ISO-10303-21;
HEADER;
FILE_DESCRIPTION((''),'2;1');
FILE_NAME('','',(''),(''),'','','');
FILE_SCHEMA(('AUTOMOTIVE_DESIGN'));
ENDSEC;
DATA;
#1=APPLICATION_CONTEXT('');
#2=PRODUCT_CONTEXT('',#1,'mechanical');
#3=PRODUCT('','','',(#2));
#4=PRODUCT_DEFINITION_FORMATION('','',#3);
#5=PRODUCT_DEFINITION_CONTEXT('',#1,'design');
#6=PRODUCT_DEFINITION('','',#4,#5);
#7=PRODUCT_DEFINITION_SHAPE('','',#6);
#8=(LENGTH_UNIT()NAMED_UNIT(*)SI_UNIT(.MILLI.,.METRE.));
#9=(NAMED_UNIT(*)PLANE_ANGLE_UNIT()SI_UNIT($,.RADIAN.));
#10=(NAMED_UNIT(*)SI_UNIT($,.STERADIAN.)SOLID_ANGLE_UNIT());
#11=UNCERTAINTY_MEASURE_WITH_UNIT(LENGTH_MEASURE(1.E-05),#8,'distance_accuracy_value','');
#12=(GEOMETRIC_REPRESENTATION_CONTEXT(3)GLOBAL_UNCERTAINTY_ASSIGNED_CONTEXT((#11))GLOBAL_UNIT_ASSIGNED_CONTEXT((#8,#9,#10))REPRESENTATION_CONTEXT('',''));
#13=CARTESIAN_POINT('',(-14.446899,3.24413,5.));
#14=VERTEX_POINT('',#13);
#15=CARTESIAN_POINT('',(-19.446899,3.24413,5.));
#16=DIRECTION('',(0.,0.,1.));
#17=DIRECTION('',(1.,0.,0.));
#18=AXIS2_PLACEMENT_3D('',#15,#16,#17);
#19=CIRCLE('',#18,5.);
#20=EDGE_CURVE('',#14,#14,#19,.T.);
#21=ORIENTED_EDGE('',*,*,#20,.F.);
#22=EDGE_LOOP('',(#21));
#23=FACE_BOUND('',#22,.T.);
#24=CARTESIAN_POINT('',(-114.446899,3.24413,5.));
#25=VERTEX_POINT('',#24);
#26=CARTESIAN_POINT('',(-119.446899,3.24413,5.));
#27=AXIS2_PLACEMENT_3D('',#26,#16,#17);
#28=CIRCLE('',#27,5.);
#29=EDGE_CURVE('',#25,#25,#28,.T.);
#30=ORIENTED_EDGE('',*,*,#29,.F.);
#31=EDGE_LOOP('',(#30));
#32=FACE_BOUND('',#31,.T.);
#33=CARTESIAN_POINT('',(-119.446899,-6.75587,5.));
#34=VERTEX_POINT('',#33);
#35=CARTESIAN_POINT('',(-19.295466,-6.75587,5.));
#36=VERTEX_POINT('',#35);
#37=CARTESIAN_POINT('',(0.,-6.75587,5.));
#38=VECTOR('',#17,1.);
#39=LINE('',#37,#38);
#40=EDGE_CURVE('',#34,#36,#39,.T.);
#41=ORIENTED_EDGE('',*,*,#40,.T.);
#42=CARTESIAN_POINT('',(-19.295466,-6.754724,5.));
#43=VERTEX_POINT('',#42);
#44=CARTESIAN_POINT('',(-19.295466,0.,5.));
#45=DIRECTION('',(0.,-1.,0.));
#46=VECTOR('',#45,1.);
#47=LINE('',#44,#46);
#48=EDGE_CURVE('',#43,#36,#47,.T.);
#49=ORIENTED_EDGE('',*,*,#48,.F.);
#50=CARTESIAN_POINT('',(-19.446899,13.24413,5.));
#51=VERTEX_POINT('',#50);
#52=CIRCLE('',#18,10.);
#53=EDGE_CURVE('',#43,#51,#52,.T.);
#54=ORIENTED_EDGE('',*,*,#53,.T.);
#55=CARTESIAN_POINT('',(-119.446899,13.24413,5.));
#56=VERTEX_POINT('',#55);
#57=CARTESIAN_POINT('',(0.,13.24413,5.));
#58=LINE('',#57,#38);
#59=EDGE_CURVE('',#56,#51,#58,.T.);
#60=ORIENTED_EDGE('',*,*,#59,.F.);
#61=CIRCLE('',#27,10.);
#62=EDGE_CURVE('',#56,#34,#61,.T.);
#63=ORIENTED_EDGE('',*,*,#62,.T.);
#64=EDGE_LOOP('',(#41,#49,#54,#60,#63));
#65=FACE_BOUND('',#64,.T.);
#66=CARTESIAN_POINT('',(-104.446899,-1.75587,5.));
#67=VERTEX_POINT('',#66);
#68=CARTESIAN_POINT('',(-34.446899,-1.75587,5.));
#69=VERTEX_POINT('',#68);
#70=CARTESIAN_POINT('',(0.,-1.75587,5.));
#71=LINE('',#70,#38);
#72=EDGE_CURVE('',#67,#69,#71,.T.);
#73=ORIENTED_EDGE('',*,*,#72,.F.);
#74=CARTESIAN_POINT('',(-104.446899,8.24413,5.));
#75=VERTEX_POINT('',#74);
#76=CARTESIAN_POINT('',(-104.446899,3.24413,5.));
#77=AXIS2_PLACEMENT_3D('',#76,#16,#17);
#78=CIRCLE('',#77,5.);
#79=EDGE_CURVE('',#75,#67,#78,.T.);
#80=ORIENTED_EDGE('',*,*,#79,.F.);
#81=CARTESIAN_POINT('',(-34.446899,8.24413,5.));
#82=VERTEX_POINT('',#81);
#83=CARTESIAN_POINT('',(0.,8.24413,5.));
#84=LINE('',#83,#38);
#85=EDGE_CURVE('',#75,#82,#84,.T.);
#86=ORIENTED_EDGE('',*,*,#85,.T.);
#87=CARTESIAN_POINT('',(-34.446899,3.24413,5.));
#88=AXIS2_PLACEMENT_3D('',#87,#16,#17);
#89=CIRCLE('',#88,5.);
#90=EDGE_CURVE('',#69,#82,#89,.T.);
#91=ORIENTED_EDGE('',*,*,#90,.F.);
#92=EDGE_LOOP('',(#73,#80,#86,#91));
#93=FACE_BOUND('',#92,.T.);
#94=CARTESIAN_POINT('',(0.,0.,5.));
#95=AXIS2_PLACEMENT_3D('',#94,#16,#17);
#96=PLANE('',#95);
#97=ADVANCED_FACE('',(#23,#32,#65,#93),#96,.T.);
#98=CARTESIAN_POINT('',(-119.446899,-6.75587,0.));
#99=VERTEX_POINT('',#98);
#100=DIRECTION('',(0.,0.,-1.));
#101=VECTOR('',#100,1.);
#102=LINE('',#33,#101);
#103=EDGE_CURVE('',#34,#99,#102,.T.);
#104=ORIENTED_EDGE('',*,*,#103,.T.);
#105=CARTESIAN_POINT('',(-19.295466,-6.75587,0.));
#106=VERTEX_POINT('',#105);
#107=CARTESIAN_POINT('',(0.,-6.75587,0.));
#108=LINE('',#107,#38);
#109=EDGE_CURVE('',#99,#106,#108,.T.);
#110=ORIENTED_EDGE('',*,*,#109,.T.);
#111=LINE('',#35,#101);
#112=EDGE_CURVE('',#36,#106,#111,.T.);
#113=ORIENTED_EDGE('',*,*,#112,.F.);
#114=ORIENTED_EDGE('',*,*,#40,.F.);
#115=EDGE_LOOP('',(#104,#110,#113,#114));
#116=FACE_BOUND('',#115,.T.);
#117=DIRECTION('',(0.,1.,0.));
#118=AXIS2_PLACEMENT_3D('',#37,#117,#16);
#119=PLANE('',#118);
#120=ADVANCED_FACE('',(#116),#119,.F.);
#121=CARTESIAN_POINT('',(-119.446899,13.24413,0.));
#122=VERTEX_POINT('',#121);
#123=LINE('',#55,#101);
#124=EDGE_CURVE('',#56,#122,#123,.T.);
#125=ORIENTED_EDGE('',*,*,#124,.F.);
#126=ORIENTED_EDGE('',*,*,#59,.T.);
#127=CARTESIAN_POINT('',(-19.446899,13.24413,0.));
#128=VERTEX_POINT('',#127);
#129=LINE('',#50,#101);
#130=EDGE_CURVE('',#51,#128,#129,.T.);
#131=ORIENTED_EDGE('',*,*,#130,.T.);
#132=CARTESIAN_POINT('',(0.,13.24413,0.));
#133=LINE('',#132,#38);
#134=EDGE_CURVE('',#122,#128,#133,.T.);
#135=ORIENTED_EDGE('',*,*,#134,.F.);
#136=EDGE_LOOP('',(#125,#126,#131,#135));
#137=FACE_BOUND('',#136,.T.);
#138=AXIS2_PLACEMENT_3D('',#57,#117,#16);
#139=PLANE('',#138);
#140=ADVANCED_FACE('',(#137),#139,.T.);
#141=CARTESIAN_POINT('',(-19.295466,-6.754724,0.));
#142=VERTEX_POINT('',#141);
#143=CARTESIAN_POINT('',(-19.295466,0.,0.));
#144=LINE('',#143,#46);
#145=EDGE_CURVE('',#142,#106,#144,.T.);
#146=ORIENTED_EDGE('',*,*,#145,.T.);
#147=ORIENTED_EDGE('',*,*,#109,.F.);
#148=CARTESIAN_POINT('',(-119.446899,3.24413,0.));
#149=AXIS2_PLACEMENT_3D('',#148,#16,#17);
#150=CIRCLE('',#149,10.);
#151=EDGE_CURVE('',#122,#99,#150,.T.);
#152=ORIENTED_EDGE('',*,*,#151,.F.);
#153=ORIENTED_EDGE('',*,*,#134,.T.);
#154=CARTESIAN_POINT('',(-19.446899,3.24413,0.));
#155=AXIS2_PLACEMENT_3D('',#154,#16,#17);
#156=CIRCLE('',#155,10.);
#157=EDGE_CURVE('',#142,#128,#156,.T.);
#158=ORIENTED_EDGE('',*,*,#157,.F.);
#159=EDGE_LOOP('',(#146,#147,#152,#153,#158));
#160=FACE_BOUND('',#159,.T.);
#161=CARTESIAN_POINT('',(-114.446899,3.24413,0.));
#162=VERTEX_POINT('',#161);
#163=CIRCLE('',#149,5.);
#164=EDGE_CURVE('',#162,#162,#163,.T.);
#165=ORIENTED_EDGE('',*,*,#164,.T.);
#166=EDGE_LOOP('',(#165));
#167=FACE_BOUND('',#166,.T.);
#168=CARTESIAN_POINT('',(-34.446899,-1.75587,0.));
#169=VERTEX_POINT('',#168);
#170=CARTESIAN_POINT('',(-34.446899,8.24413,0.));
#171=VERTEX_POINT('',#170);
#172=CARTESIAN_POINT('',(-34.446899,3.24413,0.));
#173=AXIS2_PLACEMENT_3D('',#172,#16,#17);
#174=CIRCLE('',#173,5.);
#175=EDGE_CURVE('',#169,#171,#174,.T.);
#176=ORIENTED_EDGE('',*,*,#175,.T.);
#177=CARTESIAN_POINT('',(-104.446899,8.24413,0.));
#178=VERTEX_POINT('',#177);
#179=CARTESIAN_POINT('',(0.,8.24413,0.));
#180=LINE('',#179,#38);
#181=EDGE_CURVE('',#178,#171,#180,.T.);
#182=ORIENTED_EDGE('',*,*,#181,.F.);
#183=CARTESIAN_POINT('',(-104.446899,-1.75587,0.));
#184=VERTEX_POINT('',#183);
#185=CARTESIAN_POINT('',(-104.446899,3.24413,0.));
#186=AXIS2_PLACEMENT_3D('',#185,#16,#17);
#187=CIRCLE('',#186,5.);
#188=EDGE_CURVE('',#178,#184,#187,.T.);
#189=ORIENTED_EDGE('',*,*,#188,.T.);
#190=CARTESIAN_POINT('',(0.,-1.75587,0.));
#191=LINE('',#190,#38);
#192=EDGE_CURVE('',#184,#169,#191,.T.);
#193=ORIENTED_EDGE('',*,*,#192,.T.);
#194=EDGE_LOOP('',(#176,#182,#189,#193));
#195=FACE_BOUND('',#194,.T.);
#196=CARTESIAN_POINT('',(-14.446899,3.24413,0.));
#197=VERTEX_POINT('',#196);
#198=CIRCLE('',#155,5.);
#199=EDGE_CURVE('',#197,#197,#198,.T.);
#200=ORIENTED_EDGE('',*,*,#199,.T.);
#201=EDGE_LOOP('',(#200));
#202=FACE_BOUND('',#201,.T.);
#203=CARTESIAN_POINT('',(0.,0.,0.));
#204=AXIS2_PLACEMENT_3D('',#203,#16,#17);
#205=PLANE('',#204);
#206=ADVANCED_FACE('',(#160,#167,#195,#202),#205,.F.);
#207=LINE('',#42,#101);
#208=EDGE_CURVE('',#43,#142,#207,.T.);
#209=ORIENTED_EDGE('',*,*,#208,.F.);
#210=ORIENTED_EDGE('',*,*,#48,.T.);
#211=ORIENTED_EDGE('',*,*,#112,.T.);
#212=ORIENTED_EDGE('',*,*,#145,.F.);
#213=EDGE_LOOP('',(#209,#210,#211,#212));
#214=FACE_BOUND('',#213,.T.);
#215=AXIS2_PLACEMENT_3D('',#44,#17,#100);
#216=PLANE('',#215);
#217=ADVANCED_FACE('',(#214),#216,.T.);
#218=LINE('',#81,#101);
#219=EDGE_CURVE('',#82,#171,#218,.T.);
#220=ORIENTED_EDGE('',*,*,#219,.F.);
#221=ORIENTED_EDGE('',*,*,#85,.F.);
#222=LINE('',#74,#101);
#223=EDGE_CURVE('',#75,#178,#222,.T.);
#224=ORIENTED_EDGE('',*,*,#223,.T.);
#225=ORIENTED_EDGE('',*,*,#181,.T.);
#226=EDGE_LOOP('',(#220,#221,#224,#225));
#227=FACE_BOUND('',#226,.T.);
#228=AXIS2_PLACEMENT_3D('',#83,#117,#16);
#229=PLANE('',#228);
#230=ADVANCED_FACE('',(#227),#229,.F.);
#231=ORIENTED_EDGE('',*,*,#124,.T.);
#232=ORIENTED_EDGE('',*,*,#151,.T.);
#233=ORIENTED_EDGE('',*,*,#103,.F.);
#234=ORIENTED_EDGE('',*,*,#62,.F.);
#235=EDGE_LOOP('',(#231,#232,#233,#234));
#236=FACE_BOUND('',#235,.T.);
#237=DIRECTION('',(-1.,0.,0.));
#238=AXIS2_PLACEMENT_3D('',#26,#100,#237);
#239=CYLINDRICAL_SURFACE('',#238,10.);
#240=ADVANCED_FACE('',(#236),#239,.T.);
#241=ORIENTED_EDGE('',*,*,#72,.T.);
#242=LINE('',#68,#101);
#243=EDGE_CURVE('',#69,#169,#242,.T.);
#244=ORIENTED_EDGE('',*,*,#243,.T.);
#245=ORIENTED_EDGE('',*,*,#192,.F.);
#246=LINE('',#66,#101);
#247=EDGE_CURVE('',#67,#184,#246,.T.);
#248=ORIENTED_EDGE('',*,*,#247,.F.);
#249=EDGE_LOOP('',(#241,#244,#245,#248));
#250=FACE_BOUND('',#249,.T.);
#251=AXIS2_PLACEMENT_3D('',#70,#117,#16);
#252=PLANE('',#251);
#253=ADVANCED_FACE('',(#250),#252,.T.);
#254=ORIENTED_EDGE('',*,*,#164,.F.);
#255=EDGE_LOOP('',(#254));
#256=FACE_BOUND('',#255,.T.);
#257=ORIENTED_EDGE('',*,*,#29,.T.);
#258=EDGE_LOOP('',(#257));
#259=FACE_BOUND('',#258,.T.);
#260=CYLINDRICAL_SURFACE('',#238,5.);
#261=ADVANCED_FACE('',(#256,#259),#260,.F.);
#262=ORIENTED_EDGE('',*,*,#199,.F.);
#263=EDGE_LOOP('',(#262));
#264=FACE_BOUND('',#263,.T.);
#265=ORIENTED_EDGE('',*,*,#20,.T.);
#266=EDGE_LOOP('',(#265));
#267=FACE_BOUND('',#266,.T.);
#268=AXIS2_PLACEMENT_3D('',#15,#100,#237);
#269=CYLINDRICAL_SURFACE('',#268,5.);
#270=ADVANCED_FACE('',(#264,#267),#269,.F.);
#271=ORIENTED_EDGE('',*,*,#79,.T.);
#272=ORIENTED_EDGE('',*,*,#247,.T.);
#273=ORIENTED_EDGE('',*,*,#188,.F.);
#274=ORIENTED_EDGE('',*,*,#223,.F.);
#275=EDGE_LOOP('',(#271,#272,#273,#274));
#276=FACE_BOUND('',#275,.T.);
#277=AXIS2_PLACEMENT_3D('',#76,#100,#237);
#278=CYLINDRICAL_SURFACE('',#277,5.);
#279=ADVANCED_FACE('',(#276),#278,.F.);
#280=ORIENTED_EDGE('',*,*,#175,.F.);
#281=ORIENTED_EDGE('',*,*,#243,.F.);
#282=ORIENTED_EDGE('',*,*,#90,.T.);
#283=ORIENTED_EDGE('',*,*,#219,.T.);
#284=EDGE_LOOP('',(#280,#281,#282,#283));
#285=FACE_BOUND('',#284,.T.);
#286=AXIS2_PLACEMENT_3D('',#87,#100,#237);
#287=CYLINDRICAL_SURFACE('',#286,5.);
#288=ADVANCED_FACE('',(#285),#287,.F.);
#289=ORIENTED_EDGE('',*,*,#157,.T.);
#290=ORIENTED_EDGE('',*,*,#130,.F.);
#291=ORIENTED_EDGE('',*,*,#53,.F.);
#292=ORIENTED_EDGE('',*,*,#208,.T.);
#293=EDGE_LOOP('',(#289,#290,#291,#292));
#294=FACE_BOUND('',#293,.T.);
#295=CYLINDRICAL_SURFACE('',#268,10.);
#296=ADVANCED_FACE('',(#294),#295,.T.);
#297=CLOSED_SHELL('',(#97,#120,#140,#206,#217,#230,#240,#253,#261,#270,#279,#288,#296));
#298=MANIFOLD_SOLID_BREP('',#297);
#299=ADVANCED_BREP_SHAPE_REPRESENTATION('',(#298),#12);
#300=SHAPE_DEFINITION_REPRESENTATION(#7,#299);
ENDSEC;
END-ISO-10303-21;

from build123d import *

# Parameters (mm, degrees)
ESBO_O1_R                = 5
RESSALTO_EXTRUS_O1_DEPTH = 5


with BuildPart() as part:
    # Esboço1 → Ressalto-extrusão1 (new body)
    with BuildSketch(Plane.XY):
        with BuildLine():
            Line((-19.446898693, 13.244129565), (-119.446898693, 13.244129565))
            ThreePointArc((-119.446898693, 13.244129565), (-129.446898693, 3.244129565), (-119.446898693, -6.755870435))
            Line((-119.446898693, -6.755870435), (-19.295466425, -6.755870435))
            Line((-19.295466425, -6.755870435), (-19.295466425, -6.754723783))
            ThreePointArc((-19.295466425, -6.754723783), (-9.446898693, 3.244129565), (-19.295466425, 13.242982913))
            ThreePointArc((-19.295466425, 13.242982913), (-19.371180388, 13.243842898), (-19.446898693, 13.244129565))
        make_face()
        with Locations((-119.446898693, 3.244129565)):
            Circle(ESBO_O1_R, mode=Mode.SUBTRACT)
        with BuildLine():
            ThreePointArc((-104.446898693, -1.755870435), (-109.446898693, 3.244129565), (-104.446898693, 8.244129565))
            Line((-104.446898693, 8.244129565), (-34.446898693, 8.244129565))
            ThreePointArc((-34.446898693, 8.244129565), (-29.446898693, 3.244129565), (-34.446898693, -1.755870435))
            Line((-34.446898693, -1.755870435), (-104.446898693, -1.755870435))
        make_face(mode=Mode.SUBTRACT)
        with Locations((-19.446898693, 3.244129565)):
            Circle(ESBO_O1_R, mode=Mode.SUBTRACT)
    extrude(amount=RESSALTO_EXTRUS_O1_DEPTH)


solid = part.part
